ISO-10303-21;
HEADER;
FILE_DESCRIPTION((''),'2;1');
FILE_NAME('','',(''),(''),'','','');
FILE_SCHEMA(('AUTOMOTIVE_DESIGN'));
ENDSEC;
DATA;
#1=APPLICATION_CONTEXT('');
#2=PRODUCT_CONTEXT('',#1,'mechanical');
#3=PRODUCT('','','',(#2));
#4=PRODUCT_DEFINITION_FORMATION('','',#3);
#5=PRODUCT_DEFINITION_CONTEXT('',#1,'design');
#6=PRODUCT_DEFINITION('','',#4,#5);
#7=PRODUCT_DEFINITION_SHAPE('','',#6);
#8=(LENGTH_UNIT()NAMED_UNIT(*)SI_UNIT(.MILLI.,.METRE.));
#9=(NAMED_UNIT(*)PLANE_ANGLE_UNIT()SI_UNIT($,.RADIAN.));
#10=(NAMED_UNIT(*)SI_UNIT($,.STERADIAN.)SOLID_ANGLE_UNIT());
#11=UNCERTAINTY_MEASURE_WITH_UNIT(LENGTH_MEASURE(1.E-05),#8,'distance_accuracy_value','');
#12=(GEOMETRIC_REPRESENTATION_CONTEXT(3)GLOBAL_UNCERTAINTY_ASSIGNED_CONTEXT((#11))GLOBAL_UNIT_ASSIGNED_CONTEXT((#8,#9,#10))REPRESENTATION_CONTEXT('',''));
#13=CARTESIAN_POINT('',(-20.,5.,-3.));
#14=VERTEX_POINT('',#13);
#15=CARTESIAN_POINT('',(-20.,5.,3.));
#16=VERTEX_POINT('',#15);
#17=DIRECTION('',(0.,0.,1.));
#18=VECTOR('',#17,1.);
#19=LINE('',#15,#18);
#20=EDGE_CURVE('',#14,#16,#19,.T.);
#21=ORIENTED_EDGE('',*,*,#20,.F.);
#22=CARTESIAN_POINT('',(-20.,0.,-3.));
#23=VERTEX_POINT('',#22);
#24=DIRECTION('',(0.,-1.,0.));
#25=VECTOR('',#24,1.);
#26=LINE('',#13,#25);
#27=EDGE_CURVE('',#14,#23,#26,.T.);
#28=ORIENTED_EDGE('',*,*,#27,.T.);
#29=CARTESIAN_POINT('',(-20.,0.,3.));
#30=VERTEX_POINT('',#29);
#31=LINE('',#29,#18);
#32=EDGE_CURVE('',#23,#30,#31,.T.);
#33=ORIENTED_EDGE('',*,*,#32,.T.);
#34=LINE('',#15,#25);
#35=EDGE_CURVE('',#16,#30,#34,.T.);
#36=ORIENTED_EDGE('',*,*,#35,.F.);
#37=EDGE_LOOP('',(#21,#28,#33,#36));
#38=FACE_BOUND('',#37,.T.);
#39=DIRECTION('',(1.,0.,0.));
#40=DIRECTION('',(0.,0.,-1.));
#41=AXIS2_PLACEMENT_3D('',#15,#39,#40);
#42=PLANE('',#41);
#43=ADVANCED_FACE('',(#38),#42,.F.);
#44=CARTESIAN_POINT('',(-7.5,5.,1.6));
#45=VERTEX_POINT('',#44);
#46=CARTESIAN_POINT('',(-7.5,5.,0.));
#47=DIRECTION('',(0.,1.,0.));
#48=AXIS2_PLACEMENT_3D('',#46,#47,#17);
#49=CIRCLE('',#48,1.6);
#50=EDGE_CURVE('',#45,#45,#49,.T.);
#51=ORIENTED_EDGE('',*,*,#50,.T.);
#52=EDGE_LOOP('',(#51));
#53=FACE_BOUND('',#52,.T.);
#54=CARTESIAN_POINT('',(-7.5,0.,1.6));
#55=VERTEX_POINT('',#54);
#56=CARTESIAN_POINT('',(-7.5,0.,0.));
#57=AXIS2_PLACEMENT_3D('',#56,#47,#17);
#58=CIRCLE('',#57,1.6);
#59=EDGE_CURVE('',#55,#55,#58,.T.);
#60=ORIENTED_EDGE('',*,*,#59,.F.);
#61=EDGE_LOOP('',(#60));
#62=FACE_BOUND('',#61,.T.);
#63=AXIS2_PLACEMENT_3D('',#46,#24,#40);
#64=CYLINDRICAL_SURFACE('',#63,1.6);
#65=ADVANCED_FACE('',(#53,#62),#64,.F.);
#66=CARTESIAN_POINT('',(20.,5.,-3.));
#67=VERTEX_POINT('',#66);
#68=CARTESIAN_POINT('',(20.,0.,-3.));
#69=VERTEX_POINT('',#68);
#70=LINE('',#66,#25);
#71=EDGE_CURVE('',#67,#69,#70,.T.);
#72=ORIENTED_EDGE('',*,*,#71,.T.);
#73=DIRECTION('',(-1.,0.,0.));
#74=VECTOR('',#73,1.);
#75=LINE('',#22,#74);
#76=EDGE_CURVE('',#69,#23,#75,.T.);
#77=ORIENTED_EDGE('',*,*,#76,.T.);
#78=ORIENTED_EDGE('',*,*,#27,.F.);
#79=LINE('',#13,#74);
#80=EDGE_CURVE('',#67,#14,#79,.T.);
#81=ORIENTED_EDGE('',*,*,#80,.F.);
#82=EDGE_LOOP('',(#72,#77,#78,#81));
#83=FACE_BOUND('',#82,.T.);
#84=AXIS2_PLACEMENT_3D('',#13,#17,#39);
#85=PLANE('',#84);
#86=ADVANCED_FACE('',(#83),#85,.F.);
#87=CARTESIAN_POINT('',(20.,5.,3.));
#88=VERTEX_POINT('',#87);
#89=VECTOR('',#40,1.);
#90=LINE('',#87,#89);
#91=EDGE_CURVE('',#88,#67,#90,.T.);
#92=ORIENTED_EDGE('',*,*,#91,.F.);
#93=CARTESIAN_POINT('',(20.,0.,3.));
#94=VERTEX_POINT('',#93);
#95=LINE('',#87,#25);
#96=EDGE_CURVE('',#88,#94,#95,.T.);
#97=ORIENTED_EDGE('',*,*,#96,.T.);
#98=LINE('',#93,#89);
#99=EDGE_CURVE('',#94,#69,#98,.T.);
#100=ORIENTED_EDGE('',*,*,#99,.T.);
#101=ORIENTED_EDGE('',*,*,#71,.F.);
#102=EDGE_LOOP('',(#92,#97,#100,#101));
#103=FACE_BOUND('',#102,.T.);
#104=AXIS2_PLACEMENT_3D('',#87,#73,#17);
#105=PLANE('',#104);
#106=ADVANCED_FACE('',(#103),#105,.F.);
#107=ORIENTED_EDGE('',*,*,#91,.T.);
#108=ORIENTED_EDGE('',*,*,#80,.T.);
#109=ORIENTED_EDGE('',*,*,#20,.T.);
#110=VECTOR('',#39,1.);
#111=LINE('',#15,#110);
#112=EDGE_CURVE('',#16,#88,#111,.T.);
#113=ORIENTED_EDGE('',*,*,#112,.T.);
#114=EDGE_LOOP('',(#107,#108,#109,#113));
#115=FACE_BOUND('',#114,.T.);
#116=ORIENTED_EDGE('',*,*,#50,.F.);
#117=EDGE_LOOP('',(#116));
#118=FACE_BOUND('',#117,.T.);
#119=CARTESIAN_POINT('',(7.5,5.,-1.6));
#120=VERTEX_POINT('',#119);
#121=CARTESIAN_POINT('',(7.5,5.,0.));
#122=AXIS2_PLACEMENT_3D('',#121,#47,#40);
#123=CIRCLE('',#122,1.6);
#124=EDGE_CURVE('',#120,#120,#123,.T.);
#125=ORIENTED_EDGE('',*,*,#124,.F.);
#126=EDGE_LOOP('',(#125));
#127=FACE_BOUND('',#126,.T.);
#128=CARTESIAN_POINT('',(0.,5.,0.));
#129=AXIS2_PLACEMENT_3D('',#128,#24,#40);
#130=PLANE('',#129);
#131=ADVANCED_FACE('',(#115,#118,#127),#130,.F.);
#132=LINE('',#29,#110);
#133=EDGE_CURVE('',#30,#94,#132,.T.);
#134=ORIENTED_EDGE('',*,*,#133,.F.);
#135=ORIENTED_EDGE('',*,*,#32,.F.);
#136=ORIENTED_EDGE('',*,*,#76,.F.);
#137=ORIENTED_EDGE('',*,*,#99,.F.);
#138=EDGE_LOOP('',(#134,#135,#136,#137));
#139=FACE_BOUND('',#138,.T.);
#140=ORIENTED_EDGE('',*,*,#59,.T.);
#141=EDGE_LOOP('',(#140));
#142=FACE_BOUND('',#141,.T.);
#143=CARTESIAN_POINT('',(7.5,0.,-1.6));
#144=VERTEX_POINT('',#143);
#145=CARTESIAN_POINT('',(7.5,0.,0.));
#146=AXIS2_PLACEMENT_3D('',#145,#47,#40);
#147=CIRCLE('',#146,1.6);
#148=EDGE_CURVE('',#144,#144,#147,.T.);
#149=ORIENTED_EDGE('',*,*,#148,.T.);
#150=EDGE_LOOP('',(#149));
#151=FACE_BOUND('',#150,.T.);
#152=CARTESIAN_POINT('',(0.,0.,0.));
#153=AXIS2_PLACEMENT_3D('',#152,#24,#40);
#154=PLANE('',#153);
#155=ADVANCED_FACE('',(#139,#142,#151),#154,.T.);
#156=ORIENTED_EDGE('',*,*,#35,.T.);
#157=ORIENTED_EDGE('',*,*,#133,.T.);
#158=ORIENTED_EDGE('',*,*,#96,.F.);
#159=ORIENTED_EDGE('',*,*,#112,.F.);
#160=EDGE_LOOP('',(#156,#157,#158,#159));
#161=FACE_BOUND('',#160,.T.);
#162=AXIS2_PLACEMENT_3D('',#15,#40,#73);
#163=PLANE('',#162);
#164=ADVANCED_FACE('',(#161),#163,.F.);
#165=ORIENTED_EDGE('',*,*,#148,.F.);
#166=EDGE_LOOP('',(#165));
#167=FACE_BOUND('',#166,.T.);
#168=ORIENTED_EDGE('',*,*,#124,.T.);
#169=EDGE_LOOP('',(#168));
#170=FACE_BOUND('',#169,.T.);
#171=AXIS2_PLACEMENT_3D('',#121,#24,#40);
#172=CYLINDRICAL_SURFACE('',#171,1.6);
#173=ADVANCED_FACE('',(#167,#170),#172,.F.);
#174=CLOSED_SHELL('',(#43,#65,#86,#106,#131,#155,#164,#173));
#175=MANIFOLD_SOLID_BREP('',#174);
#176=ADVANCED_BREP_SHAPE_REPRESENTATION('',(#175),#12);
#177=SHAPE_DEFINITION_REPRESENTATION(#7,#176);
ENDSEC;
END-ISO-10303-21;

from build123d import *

# Parameters (mm, degrees)
SKETCH_1_W      = 40
SKETCH_1_H      = 6
SKETCH_1_R      = 1.6
EXTRUDE_1_DEPTH = 5


with BuildPart() as part:
    # 草图1 → 凸台-拉伸1 (new body)
    with BuildSketch(Plane(origin=(0, 0, 0), x_dir=(1, 0, 0), z_dir=(0, 1, 0))):
        Rectangle(SKETCH_1_W, SKETCH_1_H)
        with Locations(Location((-7.5, 0, 0), (0, 0, 270))):
            Circle(SKETCH_1_R, mode=Mode.SUBTRACT)
        with Locations(Location((7.5, 0, 0), (0, 0, 90))):
            Circle(SKETCH_1_R, mode=Mode.SUBTRACT)
    extrude(amount=EXTRUDE_1_DEPTH)


solid = part.part
